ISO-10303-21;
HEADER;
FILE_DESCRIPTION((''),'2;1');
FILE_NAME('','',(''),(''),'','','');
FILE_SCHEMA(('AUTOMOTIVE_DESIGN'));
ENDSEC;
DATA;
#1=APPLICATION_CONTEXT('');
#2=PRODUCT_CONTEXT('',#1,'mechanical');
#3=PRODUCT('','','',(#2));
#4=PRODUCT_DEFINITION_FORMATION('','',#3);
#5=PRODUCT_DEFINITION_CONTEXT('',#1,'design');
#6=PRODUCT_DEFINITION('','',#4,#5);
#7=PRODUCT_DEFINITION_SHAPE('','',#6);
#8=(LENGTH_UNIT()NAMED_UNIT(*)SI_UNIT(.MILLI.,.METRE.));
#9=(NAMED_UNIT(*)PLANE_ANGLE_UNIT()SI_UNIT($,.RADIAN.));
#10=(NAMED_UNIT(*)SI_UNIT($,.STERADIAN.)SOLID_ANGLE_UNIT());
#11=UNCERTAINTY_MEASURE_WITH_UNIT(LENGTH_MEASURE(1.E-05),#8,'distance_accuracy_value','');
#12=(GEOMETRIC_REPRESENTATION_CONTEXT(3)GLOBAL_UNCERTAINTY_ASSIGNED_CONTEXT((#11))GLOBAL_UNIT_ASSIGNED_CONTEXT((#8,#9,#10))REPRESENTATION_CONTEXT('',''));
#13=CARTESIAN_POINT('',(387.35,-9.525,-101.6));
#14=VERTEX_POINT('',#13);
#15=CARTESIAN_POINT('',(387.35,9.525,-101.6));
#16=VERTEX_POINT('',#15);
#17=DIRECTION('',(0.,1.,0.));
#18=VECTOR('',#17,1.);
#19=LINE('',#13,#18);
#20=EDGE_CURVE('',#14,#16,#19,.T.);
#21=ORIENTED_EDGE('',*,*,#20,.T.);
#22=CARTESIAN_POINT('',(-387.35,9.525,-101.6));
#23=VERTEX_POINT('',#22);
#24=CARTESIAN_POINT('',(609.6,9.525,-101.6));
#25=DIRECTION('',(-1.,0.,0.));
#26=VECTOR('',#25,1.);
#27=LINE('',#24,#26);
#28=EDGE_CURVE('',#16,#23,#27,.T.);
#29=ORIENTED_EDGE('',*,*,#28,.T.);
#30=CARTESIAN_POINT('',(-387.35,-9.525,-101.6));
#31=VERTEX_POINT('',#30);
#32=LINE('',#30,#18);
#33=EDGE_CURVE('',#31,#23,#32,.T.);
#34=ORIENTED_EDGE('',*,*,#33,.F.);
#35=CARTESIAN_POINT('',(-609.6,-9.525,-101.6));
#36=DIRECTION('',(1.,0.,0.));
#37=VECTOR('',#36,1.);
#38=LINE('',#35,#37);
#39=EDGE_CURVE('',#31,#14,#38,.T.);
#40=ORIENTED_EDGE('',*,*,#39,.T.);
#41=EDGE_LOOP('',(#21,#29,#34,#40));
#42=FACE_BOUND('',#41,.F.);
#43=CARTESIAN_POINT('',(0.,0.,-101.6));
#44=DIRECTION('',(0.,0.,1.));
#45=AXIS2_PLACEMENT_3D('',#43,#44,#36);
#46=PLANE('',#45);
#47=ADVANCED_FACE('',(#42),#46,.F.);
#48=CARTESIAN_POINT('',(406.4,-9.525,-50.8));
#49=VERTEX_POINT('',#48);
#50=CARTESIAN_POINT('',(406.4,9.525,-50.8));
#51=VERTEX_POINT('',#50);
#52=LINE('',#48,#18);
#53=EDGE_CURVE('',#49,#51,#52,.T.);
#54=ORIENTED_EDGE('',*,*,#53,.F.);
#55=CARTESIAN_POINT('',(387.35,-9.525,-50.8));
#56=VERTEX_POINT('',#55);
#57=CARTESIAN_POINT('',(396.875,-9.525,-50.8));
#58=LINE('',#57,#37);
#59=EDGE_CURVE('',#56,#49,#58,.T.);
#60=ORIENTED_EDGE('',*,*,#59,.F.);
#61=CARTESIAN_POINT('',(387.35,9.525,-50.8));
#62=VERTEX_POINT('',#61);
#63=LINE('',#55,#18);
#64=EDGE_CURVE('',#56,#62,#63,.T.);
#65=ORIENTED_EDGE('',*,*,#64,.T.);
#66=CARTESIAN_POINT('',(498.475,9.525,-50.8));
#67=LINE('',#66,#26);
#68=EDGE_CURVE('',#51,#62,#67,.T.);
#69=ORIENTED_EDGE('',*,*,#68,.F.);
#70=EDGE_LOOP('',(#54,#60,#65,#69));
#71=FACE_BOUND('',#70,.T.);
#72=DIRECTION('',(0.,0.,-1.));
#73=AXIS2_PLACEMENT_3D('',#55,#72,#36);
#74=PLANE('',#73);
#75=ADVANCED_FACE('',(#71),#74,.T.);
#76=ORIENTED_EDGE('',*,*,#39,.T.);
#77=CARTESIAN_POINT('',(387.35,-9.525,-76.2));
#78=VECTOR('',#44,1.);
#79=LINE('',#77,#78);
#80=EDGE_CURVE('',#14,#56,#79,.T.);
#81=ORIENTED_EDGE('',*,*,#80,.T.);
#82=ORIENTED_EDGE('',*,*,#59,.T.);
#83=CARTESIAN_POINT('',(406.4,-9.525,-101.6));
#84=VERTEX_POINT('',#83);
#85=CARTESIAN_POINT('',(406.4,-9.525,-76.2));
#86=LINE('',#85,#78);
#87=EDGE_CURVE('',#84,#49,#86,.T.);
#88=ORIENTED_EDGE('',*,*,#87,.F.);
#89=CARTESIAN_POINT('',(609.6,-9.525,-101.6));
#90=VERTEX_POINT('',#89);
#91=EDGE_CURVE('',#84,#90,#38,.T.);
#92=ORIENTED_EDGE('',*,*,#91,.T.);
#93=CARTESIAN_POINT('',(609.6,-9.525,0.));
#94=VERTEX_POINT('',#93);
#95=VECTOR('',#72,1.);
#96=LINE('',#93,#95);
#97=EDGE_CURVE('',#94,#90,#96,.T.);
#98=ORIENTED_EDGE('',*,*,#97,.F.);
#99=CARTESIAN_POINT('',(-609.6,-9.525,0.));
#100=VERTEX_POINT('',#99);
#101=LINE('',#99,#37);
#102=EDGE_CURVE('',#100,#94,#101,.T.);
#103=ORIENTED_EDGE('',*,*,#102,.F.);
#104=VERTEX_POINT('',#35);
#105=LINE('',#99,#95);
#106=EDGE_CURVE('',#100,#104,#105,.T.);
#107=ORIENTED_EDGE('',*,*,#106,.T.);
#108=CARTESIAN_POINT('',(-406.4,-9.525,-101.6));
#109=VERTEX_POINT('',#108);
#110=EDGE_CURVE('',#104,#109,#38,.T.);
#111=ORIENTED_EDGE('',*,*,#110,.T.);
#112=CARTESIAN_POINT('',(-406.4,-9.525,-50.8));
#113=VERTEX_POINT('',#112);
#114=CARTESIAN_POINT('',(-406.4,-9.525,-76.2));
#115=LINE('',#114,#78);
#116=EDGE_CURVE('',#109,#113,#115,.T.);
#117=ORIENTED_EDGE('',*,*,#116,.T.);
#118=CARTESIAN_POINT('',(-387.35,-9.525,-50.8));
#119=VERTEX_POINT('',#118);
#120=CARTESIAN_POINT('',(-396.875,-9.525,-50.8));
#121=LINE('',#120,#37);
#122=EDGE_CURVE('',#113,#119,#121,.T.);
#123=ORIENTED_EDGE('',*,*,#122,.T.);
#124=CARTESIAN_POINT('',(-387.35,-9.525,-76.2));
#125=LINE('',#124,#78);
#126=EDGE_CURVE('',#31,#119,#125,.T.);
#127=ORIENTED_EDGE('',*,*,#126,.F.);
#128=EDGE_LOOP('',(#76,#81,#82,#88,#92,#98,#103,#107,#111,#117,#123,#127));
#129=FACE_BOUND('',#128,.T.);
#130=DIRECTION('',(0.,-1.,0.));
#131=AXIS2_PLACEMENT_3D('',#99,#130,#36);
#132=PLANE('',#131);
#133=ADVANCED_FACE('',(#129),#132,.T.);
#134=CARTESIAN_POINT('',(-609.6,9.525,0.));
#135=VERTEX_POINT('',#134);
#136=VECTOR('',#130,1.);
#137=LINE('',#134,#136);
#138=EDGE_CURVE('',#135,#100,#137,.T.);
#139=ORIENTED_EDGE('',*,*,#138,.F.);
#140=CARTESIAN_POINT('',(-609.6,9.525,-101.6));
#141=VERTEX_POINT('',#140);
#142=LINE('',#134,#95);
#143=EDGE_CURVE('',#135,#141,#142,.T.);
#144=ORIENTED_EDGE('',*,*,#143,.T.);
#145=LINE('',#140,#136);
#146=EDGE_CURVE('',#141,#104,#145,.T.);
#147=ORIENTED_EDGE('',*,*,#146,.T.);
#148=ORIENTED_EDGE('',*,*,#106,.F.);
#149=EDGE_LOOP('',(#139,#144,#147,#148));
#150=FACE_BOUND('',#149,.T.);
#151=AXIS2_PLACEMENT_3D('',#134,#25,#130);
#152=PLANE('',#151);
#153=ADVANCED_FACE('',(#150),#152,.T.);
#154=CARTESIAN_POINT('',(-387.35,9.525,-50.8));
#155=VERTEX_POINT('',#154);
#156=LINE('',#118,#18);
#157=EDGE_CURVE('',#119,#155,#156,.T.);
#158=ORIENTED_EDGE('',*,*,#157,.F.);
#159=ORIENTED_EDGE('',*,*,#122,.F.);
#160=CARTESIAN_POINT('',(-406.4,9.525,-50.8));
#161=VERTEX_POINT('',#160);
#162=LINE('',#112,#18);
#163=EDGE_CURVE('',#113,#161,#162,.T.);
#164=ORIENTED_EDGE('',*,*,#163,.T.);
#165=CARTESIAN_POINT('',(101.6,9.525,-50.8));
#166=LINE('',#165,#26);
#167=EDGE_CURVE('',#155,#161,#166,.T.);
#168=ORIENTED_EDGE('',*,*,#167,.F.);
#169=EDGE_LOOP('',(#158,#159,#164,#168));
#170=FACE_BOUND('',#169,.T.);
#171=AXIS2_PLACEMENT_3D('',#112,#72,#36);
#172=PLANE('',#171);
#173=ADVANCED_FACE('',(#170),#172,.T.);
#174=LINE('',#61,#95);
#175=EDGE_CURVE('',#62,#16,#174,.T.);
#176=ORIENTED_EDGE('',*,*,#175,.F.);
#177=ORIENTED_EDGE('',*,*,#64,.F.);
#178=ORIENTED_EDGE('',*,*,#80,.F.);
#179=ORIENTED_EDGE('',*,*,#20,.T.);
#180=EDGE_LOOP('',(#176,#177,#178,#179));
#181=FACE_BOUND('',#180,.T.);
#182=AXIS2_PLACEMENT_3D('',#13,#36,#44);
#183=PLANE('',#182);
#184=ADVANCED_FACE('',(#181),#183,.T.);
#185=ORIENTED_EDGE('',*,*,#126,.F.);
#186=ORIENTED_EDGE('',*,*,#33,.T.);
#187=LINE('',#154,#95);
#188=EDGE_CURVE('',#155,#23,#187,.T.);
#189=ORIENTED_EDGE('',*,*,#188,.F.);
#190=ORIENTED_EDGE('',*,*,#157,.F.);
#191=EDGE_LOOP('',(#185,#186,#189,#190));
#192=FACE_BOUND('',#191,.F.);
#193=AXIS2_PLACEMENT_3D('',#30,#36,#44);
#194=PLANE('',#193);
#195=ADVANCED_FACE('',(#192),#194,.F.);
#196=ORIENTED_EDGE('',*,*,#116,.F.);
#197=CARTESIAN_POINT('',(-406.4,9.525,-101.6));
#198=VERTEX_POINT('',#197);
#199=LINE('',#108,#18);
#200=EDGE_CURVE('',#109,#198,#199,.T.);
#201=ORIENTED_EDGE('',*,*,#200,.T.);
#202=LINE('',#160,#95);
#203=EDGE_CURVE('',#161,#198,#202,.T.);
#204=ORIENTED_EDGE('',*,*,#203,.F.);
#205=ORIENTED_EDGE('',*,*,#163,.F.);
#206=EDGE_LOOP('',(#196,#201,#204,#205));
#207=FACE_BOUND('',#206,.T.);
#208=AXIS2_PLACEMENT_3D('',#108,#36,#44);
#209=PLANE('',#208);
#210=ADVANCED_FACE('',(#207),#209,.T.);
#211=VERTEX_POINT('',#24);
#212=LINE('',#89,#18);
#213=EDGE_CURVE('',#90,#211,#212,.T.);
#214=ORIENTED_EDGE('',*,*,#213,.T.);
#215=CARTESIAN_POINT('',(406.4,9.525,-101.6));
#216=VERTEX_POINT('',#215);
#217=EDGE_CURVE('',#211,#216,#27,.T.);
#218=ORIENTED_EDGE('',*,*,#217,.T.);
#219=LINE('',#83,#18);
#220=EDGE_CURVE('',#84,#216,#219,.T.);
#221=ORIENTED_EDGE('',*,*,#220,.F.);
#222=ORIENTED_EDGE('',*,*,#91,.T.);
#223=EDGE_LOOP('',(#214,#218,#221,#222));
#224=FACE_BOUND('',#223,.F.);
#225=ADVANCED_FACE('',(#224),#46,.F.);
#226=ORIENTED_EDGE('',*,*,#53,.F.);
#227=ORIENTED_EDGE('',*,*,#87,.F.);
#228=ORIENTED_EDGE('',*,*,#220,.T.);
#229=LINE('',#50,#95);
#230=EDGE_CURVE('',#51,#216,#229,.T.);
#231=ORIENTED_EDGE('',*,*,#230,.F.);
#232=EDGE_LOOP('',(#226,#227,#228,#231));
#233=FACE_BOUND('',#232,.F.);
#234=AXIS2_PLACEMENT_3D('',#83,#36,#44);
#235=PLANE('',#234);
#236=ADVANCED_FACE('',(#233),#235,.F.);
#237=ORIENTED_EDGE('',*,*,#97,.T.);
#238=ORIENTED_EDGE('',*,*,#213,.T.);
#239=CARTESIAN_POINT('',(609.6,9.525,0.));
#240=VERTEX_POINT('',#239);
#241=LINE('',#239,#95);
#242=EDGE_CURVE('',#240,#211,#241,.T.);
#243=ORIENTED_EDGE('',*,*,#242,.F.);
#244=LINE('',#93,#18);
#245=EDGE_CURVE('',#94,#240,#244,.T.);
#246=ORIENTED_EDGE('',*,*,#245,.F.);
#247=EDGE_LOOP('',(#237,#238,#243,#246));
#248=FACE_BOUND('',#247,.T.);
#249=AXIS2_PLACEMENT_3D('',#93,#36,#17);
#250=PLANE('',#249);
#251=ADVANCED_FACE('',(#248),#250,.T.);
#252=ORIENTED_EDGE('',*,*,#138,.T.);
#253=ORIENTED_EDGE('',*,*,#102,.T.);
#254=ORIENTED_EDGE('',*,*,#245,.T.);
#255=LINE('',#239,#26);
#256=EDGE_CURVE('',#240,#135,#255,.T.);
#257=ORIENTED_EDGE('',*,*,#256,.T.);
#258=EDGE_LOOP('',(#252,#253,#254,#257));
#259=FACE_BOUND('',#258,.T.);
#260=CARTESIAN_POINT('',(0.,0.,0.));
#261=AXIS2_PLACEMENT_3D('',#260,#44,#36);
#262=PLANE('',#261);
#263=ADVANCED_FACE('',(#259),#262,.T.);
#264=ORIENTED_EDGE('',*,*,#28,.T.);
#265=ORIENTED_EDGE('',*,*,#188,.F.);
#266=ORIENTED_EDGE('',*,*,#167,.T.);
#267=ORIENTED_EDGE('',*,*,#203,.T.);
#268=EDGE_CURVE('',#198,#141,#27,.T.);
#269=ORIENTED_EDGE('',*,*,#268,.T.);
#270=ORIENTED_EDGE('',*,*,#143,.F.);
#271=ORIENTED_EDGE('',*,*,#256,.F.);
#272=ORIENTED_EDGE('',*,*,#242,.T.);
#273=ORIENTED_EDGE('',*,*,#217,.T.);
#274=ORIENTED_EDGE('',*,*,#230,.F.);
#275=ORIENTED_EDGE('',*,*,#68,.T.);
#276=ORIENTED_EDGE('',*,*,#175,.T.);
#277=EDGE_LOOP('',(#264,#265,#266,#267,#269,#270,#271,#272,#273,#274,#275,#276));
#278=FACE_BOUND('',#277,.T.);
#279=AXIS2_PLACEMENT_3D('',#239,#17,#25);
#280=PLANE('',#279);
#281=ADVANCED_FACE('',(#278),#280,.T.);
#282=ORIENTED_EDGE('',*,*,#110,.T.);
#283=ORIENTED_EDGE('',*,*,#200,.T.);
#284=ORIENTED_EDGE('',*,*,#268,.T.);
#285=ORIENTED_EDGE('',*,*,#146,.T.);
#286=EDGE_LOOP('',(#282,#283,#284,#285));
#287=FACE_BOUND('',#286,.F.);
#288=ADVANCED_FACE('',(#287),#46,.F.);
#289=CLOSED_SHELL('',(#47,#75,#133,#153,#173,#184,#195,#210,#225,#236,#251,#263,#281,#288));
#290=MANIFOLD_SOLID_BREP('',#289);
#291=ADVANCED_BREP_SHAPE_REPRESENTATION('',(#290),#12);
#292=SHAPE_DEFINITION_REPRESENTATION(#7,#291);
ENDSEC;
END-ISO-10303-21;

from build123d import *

# Parameters (mm, degrees)
F1_DEPTH = 101.6
F2_W     = 19.05
F2_H     = 50.8
F3_DEPTH = 25.4


with BuildPart() as f1:
    # F0 (on Top) → F1 (new body)
    with BuildSketch(Plane.XY):
        Polygon((609.6, -9.525), (609.6, 0), (609.6, 9.525), (-609.6, 9.525), (-609.6, 0), (-609.6, -9.525), align=None)
    extrude(amount=-F1_DEPTH)

    # F2 (on face) → F3 (cut)
    with BuildSketch(Plane.XZ.offset(9.525)):
        with Locations((-396.875, -76.2)):
            Rectangle(F2_W, F2_H)
        with Locations((396.875, -76.2)):
            Rectangle(F2_W, F2_H)
    extrude(amount=-F3_DEPTH, mode=Mode.SUBTRACT)


solid = f1.part
